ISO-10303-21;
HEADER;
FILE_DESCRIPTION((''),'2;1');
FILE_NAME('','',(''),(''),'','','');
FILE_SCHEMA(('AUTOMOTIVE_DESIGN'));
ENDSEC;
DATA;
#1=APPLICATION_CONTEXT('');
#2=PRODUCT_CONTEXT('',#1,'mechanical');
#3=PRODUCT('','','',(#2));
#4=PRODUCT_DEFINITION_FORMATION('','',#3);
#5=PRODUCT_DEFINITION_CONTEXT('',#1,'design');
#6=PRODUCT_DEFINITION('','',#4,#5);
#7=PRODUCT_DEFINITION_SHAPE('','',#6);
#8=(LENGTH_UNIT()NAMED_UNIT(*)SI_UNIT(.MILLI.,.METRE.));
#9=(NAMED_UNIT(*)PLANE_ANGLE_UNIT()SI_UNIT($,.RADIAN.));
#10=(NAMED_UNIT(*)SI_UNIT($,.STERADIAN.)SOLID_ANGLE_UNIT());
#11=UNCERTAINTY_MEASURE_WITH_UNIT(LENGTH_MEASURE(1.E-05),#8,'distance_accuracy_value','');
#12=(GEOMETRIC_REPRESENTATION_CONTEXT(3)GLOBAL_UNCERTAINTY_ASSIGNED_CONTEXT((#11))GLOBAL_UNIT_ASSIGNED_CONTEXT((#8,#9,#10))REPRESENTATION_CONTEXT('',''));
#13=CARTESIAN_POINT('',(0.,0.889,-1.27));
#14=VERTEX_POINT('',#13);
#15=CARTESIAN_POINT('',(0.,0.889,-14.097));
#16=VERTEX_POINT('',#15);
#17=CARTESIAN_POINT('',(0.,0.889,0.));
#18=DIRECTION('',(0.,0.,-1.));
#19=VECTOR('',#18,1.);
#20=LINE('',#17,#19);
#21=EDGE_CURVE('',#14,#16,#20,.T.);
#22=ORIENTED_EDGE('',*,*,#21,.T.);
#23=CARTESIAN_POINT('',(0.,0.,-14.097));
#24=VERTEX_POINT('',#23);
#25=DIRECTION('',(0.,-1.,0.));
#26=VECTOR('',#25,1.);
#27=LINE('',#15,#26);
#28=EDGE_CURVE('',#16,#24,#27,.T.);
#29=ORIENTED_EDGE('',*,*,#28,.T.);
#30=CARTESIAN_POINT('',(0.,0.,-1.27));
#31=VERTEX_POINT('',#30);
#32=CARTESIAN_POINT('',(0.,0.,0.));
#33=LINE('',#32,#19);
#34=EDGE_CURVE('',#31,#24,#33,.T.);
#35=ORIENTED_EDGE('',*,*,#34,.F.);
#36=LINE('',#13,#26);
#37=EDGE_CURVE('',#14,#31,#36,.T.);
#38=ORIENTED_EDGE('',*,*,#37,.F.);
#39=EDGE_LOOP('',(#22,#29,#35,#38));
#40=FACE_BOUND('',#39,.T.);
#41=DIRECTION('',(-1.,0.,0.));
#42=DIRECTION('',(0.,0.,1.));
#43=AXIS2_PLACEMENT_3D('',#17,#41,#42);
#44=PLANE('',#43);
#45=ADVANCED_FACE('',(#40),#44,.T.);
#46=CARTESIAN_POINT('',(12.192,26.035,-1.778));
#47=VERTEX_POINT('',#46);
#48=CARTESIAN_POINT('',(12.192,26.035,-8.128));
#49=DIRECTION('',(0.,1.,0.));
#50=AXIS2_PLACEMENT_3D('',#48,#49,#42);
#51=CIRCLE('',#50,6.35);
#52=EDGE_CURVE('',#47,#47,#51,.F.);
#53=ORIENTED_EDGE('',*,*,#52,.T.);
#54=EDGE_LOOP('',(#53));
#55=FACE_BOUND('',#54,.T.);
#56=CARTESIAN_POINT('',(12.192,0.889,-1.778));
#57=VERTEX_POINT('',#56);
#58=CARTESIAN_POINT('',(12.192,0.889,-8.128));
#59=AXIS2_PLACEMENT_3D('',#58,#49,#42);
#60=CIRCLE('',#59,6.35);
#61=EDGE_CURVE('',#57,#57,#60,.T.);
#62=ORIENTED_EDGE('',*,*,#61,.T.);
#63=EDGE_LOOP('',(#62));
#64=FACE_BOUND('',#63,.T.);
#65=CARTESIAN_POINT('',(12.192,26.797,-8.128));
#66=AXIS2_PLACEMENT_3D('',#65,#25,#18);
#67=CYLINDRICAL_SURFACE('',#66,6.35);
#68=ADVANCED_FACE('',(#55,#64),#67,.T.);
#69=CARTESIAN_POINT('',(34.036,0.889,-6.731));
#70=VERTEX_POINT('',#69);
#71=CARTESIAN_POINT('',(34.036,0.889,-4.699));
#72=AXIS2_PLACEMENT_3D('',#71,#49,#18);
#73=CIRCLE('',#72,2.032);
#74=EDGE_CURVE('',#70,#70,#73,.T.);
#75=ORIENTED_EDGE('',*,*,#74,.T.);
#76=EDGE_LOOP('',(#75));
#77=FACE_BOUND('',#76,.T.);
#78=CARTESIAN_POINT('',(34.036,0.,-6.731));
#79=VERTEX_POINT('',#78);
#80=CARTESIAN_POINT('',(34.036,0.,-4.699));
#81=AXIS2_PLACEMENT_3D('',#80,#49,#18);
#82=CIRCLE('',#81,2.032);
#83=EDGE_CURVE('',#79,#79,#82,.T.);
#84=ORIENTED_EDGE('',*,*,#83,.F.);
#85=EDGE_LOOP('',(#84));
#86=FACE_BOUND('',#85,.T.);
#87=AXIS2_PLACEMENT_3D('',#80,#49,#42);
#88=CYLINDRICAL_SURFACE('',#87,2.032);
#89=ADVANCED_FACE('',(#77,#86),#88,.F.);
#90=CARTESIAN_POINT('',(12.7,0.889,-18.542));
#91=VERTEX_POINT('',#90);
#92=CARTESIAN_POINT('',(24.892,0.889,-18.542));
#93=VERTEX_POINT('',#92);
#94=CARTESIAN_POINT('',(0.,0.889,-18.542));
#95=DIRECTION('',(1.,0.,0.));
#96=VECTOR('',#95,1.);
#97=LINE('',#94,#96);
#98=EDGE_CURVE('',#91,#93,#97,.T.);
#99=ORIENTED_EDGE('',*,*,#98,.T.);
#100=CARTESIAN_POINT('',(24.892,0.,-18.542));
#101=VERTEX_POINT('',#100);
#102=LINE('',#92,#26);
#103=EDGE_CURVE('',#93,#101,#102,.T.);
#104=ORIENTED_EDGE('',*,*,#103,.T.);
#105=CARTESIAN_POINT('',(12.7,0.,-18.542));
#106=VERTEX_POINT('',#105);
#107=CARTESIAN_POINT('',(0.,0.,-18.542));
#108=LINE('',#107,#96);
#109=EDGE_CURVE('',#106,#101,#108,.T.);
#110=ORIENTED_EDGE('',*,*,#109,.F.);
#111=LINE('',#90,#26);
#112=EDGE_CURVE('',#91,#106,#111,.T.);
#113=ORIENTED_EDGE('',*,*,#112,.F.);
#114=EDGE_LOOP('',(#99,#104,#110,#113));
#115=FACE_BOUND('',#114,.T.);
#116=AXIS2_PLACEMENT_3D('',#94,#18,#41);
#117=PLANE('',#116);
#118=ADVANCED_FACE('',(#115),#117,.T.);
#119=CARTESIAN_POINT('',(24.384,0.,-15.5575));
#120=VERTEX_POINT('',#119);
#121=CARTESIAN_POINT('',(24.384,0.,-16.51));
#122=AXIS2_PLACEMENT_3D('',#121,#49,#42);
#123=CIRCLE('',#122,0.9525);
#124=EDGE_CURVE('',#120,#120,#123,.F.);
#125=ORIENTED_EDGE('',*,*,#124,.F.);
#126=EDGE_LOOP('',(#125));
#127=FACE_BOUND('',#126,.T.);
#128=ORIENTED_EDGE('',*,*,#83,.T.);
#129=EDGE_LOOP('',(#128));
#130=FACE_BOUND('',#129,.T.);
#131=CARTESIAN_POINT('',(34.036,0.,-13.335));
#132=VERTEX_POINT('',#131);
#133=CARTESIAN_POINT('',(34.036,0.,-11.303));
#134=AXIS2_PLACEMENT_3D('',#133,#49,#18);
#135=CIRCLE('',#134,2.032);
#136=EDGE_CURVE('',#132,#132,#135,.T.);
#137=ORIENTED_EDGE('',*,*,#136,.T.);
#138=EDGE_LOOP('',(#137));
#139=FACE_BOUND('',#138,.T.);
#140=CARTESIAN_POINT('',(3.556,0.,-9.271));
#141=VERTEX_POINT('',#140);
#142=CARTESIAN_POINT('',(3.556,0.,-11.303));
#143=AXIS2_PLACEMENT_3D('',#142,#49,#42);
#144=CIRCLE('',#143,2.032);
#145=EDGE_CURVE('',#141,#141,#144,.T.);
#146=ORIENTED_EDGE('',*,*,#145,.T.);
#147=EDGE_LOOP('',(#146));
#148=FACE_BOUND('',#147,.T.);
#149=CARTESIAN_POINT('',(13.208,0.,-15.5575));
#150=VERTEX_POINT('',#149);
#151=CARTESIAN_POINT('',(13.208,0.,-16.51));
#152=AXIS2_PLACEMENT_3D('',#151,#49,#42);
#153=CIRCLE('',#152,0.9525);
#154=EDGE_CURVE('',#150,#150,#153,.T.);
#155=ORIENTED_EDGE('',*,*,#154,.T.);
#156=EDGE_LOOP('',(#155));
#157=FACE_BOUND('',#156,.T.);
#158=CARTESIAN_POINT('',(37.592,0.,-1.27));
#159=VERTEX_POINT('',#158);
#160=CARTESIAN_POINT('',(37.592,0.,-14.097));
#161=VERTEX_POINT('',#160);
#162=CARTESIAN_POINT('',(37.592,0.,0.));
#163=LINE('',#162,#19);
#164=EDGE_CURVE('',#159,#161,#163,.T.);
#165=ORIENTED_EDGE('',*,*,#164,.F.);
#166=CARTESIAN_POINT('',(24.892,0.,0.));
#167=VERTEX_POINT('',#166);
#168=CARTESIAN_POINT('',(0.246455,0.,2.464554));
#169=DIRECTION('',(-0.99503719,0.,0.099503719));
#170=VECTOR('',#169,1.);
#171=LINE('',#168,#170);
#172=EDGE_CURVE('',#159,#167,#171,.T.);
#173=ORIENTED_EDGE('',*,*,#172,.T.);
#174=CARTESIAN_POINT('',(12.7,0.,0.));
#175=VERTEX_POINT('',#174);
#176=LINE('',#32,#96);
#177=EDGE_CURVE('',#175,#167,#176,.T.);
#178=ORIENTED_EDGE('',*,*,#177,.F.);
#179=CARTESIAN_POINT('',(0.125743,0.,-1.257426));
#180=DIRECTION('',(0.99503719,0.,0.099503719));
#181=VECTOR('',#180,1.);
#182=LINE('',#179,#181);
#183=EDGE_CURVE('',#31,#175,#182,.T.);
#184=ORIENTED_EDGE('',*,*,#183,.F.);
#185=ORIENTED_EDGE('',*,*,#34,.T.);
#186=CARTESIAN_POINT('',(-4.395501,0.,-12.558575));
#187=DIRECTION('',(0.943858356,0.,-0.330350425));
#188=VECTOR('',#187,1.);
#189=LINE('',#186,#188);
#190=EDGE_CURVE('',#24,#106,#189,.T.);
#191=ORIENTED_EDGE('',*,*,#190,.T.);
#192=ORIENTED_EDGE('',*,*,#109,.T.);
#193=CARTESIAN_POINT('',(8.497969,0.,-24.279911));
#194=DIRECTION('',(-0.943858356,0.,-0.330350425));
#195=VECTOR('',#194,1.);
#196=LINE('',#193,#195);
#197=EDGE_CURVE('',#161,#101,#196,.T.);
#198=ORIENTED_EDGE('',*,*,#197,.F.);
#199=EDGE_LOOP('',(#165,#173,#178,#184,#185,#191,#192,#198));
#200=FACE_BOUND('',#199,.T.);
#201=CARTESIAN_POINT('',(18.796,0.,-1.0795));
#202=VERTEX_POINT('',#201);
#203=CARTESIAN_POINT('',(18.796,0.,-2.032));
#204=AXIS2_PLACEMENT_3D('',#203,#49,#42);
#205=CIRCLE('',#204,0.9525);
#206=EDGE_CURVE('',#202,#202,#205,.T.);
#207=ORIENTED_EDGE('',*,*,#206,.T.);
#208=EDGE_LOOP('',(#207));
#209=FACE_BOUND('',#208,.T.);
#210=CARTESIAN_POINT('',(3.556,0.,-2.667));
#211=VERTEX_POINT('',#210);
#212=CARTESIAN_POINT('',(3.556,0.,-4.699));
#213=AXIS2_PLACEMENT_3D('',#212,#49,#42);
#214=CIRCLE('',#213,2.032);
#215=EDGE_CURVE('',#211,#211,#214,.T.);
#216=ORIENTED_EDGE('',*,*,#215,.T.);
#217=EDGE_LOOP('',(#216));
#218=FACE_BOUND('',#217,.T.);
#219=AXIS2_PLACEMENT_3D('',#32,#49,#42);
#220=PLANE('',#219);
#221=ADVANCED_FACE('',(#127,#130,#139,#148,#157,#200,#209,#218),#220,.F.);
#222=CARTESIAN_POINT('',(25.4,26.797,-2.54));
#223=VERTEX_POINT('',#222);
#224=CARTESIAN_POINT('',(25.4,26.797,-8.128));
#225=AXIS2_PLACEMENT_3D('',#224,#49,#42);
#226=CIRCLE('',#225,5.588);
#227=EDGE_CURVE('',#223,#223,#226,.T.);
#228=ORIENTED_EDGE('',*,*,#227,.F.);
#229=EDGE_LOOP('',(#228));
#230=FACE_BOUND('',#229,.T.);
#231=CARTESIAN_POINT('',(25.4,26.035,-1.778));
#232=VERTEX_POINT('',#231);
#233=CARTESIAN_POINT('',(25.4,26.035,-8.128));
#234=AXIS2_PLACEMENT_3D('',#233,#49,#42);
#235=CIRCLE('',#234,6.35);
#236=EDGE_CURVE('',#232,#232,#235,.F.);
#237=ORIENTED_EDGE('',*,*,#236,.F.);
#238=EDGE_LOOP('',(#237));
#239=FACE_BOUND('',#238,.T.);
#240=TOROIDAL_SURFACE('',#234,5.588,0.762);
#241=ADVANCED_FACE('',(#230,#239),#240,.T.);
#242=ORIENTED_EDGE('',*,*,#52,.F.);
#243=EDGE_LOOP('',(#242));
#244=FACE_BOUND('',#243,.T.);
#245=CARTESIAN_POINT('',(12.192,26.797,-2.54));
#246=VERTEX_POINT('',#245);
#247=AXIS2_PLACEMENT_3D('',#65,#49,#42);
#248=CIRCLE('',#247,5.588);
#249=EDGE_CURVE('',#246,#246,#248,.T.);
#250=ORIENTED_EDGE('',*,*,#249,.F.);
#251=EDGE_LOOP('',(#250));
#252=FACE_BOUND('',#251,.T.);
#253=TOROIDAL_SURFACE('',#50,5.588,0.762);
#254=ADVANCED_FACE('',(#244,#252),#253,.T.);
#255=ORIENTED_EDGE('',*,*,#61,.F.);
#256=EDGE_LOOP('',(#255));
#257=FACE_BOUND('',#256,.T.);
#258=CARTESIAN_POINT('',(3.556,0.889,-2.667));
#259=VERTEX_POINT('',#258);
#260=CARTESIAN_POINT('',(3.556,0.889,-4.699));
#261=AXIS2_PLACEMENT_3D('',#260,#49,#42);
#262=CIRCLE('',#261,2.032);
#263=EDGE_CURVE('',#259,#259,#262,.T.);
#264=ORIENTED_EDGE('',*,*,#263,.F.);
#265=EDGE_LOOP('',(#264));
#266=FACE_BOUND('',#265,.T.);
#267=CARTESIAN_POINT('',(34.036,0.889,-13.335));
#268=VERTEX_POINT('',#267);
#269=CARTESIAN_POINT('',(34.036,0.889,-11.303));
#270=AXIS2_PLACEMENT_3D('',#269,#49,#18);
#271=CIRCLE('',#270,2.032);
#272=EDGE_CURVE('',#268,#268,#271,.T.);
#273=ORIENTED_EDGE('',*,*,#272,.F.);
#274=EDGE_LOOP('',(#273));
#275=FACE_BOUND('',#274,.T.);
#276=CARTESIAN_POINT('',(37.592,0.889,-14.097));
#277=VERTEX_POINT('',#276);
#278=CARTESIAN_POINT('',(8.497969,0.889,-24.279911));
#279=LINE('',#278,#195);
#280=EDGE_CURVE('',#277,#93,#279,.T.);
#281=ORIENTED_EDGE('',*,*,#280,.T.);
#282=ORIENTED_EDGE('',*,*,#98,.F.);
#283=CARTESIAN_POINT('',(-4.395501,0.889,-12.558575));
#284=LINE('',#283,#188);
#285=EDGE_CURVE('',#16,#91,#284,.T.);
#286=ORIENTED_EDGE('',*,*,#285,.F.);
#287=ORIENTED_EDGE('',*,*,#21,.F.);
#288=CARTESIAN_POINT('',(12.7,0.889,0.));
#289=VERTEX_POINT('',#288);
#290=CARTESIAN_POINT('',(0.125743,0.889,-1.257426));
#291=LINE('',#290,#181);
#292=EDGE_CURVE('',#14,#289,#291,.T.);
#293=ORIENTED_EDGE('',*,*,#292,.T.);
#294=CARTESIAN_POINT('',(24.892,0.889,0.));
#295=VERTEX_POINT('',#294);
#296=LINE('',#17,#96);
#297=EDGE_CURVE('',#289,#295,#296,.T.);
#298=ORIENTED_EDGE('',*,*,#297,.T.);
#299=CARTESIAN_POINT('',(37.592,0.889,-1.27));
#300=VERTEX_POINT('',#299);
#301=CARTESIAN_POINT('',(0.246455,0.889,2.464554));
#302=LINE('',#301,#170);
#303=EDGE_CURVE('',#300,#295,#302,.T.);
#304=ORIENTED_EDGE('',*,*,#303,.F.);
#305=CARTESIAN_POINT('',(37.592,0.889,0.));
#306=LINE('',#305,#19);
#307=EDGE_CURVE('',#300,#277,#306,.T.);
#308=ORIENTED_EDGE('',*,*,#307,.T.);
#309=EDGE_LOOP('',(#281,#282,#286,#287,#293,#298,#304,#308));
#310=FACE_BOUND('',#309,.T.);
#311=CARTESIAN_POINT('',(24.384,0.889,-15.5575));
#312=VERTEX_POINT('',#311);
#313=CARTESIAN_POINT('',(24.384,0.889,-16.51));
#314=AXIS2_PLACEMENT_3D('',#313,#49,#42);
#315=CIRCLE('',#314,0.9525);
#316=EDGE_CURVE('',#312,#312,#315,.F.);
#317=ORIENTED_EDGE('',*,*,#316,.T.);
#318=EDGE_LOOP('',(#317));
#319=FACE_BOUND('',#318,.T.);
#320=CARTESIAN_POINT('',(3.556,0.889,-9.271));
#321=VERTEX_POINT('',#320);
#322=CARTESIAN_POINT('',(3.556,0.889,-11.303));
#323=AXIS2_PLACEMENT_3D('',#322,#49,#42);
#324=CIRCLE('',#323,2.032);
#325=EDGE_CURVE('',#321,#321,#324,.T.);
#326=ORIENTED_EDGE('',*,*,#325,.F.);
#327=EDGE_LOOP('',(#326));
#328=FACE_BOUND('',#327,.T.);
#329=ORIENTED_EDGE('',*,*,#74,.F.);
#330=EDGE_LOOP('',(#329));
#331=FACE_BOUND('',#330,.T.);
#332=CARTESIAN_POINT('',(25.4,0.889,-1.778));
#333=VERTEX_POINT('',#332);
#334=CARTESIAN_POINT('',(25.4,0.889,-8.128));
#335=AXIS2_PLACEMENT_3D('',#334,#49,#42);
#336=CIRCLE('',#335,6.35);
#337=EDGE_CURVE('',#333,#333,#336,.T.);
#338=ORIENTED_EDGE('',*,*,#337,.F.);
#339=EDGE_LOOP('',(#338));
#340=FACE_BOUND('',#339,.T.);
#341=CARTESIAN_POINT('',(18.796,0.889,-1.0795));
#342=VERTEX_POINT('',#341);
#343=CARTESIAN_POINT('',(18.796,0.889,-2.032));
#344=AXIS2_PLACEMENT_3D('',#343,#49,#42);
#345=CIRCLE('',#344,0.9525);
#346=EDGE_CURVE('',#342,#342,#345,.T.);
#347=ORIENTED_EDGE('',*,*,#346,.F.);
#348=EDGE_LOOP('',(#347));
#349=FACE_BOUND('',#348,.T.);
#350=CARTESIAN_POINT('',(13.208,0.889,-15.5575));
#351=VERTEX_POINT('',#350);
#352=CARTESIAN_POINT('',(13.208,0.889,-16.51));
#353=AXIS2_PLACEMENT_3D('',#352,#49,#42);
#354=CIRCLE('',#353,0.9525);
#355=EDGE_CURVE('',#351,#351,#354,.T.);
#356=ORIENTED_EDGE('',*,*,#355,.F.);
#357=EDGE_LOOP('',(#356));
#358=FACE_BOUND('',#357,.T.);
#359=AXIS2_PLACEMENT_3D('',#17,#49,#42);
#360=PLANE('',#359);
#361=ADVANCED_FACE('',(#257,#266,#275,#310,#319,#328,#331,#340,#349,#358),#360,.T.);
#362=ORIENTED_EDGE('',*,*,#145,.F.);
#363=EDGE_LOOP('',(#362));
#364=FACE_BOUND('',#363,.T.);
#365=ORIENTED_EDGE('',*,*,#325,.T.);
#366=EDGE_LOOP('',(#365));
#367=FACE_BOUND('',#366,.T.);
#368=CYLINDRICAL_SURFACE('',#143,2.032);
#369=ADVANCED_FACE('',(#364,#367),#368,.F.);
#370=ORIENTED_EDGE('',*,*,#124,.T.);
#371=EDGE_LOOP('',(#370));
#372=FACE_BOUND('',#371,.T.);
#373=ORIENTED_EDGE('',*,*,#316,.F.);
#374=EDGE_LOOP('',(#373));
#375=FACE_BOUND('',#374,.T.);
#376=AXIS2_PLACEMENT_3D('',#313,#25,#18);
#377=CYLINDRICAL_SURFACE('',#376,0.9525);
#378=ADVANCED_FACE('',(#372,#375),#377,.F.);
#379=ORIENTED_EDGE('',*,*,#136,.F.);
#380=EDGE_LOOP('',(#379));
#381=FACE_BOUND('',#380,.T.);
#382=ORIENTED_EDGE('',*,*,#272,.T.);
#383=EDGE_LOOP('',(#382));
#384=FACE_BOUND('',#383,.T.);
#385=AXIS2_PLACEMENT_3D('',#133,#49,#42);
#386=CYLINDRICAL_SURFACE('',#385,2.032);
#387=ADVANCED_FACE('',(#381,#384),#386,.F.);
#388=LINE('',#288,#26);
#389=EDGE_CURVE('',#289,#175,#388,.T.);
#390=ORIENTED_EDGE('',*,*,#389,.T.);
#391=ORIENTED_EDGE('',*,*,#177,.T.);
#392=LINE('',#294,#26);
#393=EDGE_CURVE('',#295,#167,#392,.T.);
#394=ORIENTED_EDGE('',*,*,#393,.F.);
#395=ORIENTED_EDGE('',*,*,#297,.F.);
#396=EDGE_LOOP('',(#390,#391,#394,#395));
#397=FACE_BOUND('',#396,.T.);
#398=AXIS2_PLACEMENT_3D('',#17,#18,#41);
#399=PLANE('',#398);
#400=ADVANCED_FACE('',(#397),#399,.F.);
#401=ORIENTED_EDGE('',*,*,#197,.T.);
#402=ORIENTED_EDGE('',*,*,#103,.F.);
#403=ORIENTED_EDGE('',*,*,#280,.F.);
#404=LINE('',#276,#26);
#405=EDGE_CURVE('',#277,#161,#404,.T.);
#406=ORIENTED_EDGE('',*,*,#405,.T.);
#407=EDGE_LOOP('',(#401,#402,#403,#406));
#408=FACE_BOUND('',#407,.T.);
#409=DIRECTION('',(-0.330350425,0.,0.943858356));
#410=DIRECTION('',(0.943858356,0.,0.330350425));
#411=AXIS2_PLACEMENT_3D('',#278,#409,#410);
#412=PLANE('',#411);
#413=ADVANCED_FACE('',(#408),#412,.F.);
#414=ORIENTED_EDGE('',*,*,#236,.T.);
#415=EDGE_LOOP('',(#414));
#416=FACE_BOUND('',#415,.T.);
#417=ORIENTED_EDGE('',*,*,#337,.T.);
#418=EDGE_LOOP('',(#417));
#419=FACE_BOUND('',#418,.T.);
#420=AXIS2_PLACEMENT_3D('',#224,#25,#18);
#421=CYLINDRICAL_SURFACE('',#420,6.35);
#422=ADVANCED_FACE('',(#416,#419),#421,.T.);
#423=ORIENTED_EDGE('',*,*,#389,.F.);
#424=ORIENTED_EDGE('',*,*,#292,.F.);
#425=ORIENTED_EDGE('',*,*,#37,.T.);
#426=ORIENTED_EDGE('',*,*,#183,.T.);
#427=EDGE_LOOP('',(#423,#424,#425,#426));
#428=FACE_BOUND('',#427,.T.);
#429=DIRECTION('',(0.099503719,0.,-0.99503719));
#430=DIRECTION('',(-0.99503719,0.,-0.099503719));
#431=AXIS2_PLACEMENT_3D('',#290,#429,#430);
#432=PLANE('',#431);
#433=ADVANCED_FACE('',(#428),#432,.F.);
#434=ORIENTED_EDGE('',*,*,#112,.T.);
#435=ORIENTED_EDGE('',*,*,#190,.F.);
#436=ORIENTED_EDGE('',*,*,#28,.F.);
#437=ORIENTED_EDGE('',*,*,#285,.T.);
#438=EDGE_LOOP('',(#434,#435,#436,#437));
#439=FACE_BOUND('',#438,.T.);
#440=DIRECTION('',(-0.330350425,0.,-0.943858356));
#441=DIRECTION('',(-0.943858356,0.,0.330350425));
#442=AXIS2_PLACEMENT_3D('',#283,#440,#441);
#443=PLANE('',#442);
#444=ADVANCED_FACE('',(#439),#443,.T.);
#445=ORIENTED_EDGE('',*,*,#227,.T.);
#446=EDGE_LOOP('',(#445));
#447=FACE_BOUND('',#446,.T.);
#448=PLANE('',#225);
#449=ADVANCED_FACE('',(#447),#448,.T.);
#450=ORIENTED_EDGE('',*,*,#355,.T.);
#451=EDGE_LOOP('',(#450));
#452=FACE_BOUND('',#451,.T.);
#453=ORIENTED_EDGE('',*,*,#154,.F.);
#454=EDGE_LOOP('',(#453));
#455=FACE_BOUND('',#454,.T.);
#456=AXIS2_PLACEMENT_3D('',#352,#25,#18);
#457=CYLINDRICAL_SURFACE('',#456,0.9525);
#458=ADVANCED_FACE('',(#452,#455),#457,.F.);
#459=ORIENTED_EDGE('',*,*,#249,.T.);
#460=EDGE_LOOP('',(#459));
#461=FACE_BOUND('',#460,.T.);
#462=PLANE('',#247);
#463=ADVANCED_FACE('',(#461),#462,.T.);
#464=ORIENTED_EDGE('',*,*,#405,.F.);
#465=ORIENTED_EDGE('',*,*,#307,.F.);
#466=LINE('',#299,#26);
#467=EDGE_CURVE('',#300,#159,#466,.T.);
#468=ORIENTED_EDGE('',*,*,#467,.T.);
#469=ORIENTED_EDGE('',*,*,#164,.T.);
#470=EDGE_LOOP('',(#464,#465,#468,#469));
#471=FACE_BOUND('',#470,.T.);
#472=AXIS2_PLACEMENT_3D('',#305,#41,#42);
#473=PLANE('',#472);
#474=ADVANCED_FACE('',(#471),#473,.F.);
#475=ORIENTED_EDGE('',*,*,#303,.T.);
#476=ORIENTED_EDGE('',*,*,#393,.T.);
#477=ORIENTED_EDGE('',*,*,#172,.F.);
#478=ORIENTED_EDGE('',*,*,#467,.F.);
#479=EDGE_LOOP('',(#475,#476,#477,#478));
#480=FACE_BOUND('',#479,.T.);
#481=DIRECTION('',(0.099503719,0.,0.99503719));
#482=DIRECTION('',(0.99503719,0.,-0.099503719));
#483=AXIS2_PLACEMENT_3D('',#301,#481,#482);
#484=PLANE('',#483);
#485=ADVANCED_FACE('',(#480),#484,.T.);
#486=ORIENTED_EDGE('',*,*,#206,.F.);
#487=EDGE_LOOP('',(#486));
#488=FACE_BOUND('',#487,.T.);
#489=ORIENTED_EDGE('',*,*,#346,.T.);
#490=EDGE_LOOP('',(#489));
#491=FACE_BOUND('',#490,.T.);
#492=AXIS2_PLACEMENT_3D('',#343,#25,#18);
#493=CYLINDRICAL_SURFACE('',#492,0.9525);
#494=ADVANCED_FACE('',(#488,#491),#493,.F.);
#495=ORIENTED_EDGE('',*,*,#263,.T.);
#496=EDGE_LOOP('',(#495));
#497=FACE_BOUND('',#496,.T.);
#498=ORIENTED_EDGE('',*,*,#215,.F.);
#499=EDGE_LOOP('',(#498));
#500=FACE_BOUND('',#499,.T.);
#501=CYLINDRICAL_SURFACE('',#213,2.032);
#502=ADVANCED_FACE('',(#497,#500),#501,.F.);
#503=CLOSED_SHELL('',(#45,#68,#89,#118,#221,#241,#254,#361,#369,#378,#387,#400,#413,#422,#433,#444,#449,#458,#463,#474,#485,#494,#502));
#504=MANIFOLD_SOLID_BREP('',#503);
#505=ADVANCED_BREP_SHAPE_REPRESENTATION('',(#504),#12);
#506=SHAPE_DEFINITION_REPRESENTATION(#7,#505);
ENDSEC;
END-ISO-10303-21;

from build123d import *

# Parameters (mm, degrees)
SKETCH1_R           = 0.9525
BOSS_EXTRUDE1_DEPTH = 0.889
SKETCH3_R           = 6.35
BOSS_EXTRUDE2_DEPTH = 25.908
SKETCH2_R           = 2.032
CUT_EXTRUDE1_DEPTH  = 50.276654635
FILLET1_R           = 0.762


with BuildPart() as part:
    # Sketch1 → Boss-Extrude1 (new body)
    # profile 1 of 2: a face of its own
    with BuildSketch(Plane(origin=(0, 0, 0), x_dir=(1, 0, 0), z_dir=(0, 1, 0))):
        with BuildLine():
            Line((18.796, 2.9845), (18.796, 18.542))
            Line((18.796, 18.542), (12.7, 18.542))
            Line((12.7, 18.542), (0, 14.097))
            Line((0, 14.097), (0, 1.27))
            Line((0, 1.27), (12.7, 0))
            Line((12.7, 0), (18.796, 0))
            Line((18.796, 0), (18.796, 1.0795))
            ThreePointArc((18.796, 1.0795), (17.8435, 2.032), (18.796, 2.9845))
        make_face()
        with Locations(Location((13.208, 16.51, 0), (0, 0, 270))):
            Circle(SKETCH1_R, mode=Mode.SUBTRACT)
    # profile 2 of 2: a face of its own
    with BuildSketch(Plane(origin=(0, 0, 0), x_dir=(1, 0, 0), z_dir=(0, 1, 0))):
        with BuildLine():
            Line((24.892, 18.542), (18.796, 18.542))
            Line((18.796, 18.542), (18.796, 2.9845))
            ThreePointArc((18.796, 2.9845), (19.469519209, 2.705519209), (19.7485, 2.032))
            ThreePointArc((19.7485, 2.032), (19.469519209, 1.358480791), (18.796, 1.0795))
            Line((18.796, 1.0795), (18.796, 0))
            Line((18.796, 0), (24.892, 0))
            Line((24.892, 0), (37.592, 1.27))
            Line((37.592, 1.27), (37.592, 14.097))
            Line((37.592, 14.097), (24.892, 18.542))
        make_face()
        with Locations(Location((24.384, 16.51, 0), (0, 0, 270))):
            Circle(SKETCH1_R, mode=Mode.SUBTRACT)
    extrude(amount=BOSS_EXTRUDE1_DEPTH)

    # Sketch3 → Boss-Extrude2 (add)
    with BuildSketch(Plane(origin=(0, 0.889, 0), x_dir=(1, 0, 0), z_dir=(0, 1, 0))):
        with Locations(Location((12.192, 8.128, 0), (0, 0, 270))):
            Circle(SKETCH3_R)
        with Locations(Location((25.4, 8.128, 0), (0, 0, 270))):
            Circle(SKETCH3_R)
    extrude(amount=BOSS_EXTRUDE2_DEPTH)

    # Sketch2 → Cut-Extrude1 (cut, through all)
    with BuildSketch(Plane(origin=(0, 0.889, 0), x_dir=(1, 0, 0), z_dir=(0, 1, 0))):
        with Locations(Location((3.556, 11.303, 0), (0, 0, 270))):
            Circle(SKETCH2_R)
        with Locations(Location((3.556, 4.699, 0), (0, 0, 270))):
            Circle(SKETCH2_R)
        with Locations(Location((34.036, 4.699, 0), (0, 0, 90))):
            Circle(SKETCH2_R)
        with Locations(Location((34.036, 11.303, 0), (0, 0, 90))):
            Circle(SKETCH2_R)
    extrude(amount=-CUT_EXTRUDE1_DEPTH, mode=Mode.SUBTRACT)

    # Fillet1
    fillet1_edges = [part.edges().sort_by_distance(p)[0] for p in [
        (12.192, 26.797, -14.478),
        (25.4, 26.797, -14.478),
    ]]
    fillet(fillet1_edges, radius=FILLET1_R)


solid = part.part
